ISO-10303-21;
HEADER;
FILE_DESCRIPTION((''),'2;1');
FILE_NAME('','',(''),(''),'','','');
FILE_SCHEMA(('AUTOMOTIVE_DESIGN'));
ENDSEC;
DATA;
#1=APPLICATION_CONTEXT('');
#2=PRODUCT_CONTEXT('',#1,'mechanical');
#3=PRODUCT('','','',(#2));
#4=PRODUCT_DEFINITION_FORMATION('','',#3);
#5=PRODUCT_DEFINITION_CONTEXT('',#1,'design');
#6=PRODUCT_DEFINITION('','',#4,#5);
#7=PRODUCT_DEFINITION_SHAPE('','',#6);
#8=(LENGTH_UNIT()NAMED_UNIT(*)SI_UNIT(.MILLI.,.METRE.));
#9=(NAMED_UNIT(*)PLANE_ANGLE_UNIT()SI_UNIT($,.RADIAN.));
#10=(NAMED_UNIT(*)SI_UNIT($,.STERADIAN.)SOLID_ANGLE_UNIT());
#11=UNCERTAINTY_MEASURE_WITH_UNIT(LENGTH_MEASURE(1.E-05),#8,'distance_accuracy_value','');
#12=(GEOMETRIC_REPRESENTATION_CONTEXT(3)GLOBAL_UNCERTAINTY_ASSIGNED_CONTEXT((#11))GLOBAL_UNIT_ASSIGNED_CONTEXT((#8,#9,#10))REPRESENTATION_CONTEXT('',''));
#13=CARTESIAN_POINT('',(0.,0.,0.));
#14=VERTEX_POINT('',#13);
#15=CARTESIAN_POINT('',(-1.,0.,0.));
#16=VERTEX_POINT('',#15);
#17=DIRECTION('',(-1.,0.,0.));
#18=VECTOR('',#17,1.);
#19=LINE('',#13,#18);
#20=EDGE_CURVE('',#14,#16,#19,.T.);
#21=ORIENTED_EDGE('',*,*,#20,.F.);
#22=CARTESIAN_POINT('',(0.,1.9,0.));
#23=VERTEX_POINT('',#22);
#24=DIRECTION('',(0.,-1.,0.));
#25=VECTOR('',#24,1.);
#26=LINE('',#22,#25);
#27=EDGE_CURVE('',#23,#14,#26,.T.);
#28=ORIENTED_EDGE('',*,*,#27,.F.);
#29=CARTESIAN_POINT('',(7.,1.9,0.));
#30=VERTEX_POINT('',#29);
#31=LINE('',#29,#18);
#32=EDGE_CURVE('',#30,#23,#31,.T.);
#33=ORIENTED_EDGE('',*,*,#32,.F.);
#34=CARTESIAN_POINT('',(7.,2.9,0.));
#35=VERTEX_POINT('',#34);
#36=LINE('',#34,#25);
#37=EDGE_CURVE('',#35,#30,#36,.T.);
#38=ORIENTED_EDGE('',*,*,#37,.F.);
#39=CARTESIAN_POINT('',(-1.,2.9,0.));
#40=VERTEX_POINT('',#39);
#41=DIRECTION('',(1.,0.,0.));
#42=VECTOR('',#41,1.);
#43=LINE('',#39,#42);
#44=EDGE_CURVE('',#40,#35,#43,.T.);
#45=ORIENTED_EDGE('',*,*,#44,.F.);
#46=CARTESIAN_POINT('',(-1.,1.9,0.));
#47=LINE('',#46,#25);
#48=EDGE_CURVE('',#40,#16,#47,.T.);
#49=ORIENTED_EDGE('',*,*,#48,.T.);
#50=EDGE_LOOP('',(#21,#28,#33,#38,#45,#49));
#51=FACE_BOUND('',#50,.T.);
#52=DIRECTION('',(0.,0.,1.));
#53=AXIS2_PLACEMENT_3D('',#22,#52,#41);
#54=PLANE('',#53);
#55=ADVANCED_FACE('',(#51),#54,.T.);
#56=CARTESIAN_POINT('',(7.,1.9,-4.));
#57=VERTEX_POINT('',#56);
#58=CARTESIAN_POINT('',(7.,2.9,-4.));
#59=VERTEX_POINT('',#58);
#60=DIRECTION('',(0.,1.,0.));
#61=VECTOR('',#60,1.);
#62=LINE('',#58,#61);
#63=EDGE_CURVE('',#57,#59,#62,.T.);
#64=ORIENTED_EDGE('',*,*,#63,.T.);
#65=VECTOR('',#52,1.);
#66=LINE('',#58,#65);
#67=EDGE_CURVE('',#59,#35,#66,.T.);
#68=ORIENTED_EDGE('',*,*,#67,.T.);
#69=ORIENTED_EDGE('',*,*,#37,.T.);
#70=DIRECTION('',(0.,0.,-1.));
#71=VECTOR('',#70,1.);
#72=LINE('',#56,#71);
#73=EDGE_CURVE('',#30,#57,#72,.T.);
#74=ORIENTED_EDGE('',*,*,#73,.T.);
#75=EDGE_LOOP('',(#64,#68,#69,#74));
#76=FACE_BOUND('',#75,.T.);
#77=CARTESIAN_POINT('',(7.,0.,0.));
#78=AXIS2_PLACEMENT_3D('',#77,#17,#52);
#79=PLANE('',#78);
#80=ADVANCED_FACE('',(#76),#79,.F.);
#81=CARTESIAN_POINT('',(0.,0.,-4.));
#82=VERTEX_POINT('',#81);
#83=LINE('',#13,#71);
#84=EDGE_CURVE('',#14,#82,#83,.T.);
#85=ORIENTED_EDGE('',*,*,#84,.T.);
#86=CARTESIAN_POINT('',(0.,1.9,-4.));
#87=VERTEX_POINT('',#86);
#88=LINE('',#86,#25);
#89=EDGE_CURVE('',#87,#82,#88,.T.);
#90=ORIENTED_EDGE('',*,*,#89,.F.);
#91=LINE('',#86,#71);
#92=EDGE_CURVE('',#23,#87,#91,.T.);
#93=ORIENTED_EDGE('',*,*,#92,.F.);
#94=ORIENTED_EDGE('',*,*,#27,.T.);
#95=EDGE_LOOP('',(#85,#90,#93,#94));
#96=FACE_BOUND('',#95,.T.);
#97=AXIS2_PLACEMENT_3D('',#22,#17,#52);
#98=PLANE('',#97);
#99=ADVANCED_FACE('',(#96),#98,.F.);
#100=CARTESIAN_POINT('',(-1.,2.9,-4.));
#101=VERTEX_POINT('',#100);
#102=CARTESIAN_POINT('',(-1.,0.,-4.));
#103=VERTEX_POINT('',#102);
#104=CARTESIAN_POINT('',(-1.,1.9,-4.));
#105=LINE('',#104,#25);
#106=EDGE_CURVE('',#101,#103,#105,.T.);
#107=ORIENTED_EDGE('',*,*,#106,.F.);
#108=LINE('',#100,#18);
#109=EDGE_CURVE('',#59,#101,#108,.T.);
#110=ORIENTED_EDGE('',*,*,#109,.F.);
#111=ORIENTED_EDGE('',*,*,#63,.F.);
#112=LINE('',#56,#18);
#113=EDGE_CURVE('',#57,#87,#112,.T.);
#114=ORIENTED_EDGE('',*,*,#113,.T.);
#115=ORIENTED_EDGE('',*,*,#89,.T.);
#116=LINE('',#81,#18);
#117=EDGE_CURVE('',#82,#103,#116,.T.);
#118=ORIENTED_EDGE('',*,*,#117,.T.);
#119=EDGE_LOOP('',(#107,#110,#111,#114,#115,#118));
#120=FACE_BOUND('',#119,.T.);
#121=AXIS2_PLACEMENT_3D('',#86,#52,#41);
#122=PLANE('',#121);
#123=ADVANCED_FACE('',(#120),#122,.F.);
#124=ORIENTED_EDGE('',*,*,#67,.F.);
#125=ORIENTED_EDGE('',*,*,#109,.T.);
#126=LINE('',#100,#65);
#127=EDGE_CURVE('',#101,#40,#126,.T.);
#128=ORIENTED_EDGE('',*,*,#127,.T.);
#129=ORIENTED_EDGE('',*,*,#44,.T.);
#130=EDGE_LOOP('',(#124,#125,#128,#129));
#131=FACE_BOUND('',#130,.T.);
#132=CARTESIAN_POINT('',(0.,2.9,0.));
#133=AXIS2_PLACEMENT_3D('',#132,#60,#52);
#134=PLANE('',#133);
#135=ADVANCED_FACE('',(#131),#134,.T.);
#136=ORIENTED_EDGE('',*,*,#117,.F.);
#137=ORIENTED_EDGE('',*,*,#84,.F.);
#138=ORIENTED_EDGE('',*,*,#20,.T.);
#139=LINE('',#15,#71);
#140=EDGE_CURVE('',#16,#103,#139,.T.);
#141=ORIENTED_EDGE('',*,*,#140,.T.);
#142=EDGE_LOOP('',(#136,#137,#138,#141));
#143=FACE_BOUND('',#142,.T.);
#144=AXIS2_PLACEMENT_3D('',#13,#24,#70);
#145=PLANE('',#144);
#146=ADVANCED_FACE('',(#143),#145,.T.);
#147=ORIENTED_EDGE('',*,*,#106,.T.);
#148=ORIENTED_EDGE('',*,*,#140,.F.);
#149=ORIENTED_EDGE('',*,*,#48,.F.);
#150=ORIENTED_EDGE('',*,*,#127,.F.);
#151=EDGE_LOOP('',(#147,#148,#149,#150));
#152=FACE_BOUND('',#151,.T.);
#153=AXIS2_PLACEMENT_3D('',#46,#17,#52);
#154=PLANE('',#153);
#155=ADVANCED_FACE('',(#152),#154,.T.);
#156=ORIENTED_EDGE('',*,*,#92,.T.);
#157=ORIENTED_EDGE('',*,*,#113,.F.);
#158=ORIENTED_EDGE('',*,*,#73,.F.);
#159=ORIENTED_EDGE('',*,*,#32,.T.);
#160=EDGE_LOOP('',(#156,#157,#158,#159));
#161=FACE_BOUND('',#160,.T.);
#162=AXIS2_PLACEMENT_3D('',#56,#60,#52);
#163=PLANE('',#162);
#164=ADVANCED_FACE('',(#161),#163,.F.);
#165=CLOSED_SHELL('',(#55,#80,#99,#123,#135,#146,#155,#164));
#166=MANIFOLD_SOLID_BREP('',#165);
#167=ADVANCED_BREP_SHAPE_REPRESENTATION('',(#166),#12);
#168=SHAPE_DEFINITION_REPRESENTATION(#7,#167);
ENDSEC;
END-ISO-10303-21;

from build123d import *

# Parameters (mm, degrees)
SZKIC1_W                    = 1
SZKIC1_H                    = 4
DODANIE_WYCI_GNI_CIE1_DEPTH = 1.9
SZKIC2_W                    = 1
SZKIC2_H                    = 4
DODANIE_WYCI_GNI_CIE2_DEPTH = 1
SZKIC3_W                    = 4
SZKIC3_H                    = 1
DODANIE_WYCI_GNI_CIE3_DEPTH = 7


with BuildPart() as part:
    # Szkic1 → Dodanie-wyciągnięcie1 (new body)
    with BuildSketch(Plane(origin=(0, 0, 0), x_dir=(1, 0, 0), z_dir=(0, 1, 0))):
        with Locations((-0.5, 2)):
            Rectangle(SZKIC1_W, SZKIC1_H)
    extrude(amount=DODANIE_WYCI_GNI_CIE1_DEPTH)

    # Szkic2 → Dodanie-wyciągnięcie2 (add)
    with BuildSketch(Plane(origin=(0, 1.9, 0), x_dir=(1, 0, 0), z_dir=(0, 1, 0))):
        with Locations((-0.5, 2)):
            Rectangle(SZKIC2_W, SZKIC2_H)
    extrude(amount=DODANIE_WYCI_GNI_CIE2_DEPTH)

    # Szkic3 → Dodanie-wyciągnięcie3 (add)
    with BuildSketch(Plane(origin=(0, 0, 0), x_dir=(0, 0, -1), z_dir=(1, 0, 0))):
        with Locations((2, 2.4)):
            Rectangle(SZKIC3_W, SZKIC3_H)
    extrude(amount=DODANIE_WYCI_GNI_CIE3_DEPTH)


solid = part.part
